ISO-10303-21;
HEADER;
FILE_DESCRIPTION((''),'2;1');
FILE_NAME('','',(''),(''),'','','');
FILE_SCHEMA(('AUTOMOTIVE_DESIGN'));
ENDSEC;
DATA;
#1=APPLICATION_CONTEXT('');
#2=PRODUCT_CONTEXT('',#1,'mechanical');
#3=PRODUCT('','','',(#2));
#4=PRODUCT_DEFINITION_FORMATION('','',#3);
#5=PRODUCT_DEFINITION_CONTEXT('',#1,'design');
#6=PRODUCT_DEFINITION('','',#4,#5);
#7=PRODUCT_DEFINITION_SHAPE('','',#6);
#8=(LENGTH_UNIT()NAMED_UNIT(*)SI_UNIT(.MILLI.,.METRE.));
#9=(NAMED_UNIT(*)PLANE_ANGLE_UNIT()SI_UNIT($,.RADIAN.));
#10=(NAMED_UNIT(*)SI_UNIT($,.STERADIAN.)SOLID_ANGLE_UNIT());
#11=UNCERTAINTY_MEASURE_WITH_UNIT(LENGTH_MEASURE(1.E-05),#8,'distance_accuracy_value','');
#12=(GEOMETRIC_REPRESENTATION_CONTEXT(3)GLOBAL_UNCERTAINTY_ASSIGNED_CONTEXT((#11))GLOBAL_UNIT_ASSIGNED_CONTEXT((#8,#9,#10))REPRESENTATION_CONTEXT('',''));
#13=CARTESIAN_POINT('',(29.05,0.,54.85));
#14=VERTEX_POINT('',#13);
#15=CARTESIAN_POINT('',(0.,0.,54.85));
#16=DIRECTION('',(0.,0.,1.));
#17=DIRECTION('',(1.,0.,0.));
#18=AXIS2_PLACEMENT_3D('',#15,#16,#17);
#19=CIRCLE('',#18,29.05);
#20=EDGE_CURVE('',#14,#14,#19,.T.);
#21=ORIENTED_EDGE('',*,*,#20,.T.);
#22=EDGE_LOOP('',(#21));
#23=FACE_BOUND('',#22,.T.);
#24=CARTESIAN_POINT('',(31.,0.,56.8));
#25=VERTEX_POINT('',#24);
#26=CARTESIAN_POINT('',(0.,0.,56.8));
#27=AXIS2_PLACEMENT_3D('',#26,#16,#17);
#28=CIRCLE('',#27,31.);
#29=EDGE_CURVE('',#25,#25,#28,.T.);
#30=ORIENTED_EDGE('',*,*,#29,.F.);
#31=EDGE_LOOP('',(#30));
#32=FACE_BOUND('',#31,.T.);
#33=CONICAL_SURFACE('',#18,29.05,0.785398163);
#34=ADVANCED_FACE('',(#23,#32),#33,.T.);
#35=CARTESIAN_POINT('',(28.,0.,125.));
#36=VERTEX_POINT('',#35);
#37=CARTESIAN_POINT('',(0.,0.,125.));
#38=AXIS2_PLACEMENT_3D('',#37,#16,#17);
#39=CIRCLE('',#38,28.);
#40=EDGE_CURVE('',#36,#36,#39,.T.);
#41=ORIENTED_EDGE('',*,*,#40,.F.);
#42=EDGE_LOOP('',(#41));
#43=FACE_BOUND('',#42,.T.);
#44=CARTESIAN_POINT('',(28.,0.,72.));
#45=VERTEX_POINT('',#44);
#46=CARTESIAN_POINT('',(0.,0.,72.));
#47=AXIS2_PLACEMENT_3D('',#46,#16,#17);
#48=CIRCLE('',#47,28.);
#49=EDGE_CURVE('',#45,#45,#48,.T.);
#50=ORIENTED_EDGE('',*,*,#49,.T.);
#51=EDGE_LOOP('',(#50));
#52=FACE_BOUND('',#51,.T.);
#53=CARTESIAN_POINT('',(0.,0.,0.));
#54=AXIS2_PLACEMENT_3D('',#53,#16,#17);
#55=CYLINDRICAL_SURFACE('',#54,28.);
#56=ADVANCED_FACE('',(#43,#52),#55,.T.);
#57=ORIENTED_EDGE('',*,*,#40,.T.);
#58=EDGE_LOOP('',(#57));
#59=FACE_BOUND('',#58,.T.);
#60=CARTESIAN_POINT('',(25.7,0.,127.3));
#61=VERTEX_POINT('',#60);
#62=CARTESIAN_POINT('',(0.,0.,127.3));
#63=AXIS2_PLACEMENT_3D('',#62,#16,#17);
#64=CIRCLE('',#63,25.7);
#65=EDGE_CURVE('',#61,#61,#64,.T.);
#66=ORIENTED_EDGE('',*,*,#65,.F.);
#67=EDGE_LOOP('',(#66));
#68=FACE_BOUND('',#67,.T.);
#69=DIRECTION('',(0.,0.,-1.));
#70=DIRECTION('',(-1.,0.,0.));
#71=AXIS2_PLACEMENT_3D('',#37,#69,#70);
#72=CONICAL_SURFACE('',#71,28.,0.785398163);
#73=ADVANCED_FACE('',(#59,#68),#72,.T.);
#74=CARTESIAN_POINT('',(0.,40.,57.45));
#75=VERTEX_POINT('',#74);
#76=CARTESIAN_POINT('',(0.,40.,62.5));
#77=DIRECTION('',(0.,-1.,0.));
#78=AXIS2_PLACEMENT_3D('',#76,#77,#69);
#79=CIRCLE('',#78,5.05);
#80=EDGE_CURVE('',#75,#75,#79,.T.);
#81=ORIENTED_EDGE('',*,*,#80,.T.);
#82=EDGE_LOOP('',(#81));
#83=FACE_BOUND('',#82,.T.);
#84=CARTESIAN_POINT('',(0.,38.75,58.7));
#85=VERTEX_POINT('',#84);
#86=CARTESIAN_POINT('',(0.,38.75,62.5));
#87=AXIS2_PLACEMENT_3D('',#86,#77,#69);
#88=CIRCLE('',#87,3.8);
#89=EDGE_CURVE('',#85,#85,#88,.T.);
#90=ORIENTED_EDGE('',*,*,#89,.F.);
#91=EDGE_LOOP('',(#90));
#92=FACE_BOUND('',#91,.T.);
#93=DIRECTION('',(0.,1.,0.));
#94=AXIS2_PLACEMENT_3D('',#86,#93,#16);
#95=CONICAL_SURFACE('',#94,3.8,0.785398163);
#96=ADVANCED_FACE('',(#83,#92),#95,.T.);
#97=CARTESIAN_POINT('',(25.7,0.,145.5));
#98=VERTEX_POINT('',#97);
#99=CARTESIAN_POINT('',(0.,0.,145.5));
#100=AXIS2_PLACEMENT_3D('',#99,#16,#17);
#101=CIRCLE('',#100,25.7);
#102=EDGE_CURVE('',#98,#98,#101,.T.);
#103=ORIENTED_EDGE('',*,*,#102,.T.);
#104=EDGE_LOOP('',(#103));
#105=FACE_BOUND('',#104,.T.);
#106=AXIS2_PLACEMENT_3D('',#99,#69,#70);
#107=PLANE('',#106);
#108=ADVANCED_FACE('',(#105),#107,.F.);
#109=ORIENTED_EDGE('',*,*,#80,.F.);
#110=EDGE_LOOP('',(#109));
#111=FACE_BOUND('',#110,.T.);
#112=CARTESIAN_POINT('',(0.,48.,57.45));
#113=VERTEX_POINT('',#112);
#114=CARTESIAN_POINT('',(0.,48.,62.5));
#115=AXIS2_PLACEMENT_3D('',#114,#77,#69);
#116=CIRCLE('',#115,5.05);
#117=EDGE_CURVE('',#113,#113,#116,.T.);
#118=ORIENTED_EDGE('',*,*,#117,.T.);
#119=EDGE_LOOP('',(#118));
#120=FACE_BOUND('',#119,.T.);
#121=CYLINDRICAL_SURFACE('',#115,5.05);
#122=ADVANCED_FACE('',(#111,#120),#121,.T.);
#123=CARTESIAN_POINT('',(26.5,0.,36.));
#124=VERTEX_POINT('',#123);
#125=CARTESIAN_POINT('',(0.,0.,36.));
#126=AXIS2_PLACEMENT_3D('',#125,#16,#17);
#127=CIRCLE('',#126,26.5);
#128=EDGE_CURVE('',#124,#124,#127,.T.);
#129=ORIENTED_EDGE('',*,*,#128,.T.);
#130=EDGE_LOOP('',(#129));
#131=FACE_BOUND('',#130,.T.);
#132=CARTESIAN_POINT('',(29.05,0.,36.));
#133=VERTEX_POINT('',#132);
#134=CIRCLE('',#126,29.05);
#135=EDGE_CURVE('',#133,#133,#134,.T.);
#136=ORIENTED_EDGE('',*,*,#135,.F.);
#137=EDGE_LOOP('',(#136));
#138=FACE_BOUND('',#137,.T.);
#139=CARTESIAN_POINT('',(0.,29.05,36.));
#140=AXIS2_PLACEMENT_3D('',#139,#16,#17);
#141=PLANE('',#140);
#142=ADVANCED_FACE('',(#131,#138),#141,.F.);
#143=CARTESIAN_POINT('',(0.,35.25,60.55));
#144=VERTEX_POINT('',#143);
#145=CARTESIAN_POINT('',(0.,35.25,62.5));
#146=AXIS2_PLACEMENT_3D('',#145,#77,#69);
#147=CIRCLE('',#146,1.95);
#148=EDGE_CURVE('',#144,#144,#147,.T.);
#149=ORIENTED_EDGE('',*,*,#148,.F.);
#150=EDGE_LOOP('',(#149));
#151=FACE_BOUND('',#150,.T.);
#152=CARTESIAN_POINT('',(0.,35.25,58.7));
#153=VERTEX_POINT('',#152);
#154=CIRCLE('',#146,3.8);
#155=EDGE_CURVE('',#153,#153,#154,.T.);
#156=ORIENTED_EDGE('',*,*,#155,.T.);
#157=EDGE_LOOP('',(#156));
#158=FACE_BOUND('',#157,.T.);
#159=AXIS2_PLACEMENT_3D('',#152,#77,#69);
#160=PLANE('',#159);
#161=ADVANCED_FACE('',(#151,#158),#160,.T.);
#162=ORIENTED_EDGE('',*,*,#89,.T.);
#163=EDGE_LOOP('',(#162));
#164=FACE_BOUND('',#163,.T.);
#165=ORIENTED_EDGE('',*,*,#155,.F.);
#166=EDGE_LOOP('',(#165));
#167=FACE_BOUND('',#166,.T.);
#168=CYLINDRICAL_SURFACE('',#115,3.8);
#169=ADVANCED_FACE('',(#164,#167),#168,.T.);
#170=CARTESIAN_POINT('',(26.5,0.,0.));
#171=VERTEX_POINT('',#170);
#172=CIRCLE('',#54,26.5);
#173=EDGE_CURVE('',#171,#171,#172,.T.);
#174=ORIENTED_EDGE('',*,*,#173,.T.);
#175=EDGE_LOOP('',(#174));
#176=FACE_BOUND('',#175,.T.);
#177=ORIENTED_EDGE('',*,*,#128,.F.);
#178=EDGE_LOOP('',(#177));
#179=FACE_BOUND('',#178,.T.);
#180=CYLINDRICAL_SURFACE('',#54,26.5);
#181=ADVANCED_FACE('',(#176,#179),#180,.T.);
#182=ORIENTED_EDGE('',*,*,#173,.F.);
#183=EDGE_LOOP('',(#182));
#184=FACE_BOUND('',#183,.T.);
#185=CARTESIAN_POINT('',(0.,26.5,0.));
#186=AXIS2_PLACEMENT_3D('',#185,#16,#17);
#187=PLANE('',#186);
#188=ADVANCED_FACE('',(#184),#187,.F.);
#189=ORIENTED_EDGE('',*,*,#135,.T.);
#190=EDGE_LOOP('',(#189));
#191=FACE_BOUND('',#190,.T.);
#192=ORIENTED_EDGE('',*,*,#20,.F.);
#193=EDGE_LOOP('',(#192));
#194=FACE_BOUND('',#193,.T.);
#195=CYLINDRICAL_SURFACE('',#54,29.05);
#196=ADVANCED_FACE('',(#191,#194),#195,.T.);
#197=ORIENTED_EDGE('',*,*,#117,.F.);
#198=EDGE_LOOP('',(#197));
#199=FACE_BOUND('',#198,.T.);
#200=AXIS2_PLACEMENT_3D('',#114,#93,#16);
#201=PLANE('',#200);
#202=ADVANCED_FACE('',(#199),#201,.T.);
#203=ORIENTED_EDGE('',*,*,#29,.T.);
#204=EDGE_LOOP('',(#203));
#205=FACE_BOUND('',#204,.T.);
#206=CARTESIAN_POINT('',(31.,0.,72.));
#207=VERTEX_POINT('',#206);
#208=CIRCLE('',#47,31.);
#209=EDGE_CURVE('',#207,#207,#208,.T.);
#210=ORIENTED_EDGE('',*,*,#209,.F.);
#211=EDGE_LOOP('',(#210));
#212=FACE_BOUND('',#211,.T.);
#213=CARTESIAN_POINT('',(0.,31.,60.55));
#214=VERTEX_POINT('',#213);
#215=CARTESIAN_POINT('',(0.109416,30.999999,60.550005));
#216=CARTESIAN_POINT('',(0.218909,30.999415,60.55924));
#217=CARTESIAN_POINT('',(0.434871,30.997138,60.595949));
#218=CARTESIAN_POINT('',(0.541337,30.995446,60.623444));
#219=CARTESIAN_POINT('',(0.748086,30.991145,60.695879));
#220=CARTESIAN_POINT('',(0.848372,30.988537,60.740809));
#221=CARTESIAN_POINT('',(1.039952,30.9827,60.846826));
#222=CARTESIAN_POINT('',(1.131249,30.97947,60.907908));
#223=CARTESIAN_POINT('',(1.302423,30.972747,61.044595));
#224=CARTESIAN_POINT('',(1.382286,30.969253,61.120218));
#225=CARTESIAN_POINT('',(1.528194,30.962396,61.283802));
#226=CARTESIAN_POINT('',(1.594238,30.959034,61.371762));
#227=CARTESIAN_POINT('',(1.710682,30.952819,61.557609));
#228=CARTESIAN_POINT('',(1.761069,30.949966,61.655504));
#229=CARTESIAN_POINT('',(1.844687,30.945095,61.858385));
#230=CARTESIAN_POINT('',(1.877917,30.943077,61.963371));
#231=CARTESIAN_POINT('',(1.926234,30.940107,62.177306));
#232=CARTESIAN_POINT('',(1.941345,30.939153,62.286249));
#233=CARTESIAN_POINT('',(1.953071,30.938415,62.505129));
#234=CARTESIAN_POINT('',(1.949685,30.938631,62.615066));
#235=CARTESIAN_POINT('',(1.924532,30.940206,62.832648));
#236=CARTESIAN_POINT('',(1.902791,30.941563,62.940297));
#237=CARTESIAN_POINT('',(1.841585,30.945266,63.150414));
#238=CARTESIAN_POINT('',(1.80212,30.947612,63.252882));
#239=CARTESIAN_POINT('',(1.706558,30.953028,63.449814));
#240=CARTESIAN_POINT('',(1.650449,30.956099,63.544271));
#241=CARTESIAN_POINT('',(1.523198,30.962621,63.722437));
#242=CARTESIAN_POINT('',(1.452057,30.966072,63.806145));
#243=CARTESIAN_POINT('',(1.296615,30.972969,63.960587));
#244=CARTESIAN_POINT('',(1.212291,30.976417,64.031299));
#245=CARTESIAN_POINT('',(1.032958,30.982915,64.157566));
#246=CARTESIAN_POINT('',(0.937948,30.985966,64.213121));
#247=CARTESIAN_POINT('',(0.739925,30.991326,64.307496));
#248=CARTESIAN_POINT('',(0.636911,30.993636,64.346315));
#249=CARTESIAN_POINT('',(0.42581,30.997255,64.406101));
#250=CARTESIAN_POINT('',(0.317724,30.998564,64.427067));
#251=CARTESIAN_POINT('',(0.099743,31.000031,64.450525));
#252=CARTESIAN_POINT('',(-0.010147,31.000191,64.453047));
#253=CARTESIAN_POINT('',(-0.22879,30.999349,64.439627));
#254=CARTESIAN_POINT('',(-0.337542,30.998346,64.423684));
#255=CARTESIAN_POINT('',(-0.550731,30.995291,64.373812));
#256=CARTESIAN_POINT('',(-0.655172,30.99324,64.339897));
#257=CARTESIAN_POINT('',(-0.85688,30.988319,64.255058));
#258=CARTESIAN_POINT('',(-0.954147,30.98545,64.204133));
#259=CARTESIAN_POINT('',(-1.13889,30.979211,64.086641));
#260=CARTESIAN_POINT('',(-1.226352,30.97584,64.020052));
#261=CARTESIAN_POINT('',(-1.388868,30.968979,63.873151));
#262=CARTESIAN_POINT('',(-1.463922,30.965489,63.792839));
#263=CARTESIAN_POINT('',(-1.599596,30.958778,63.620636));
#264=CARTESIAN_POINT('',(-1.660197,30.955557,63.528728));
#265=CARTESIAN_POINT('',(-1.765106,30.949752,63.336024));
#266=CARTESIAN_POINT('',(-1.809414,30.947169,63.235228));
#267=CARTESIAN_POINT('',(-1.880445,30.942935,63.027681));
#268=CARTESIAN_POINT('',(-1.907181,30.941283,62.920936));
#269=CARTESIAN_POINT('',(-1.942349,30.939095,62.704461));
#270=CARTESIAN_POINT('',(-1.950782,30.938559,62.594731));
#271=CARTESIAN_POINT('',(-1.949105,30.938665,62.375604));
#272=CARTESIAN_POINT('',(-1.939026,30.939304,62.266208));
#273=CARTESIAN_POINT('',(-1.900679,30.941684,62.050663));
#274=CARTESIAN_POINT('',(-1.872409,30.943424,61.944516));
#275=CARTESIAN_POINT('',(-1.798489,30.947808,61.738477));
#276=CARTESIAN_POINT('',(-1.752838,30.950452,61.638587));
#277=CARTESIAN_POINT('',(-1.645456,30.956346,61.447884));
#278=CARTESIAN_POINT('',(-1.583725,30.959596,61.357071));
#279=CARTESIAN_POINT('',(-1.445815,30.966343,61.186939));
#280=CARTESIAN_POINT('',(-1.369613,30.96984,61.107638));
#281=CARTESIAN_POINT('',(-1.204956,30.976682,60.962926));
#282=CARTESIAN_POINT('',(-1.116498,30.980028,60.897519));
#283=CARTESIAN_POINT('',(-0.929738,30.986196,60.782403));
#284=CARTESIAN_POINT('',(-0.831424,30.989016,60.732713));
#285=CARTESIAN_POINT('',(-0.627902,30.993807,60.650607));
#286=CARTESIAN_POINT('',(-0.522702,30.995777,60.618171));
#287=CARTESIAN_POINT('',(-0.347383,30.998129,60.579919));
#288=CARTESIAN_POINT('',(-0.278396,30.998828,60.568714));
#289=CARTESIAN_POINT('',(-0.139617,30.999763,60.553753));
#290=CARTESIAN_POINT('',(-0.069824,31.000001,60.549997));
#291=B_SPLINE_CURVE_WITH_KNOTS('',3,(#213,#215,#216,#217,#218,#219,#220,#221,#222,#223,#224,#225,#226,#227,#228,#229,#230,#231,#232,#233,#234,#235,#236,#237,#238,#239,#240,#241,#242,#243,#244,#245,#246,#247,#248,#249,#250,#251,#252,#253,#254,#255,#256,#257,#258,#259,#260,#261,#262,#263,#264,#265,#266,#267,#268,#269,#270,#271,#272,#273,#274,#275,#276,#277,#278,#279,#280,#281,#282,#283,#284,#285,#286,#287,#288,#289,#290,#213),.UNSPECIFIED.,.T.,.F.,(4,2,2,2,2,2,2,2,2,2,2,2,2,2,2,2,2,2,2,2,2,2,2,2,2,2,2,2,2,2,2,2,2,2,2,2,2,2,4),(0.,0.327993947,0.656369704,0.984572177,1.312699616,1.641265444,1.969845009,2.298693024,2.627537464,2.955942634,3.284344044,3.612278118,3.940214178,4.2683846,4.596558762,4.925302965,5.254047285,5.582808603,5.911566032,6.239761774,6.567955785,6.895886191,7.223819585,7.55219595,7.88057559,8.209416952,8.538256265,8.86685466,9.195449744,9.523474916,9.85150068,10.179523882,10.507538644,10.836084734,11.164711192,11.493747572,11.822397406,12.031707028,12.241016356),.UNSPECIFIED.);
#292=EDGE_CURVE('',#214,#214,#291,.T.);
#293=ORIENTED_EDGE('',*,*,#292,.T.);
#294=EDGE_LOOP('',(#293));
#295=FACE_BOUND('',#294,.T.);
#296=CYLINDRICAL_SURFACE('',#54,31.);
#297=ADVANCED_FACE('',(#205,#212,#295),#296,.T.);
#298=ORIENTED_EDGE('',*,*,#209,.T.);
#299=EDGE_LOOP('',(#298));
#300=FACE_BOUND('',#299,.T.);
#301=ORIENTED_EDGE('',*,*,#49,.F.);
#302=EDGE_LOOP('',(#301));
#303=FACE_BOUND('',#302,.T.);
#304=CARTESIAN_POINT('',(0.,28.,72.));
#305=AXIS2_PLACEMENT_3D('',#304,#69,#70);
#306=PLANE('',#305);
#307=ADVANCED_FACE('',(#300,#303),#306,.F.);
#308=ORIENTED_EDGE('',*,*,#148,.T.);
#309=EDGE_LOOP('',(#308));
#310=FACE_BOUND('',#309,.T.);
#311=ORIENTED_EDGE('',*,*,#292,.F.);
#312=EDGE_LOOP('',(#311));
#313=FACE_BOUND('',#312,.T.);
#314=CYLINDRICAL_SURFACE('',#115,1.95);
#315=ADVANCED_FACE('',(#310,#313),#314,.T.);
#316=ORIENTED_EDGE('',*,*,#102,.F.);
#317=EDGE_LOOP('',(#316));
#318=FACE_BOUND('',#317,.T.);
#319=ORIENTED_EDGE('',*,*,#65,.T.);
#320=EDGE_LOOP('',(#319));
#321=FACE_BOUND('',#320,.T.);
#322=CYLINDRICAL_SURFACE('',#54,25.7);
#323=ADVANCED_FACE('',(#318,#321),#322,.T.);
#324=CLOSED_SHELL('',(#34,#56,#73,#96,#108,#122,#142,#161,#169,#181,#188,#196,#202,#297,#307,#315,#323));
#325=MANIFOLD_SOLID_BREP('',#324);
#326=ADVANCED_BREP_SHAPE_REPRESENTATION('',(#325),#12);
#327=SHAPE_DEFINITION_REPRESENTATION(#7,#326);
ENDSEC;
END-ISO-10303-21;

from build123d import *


with BuildPart() as part:
    # Sketch1 → Revolve1 (revolve)
    with BuildSketch(Plane(origin=(0, 0, 0), x_dir=(0, 0, -1), z_dir=(1, 0, 0)), mode=Mode.PRIVATE) as revolve1_sk:
        Polygon((0, 0), (-145.5, 0), (-145.5, 25.7), (-127.3, 25.7), (-125, 28), (-72, 28), (-72, 31), (-56.8, 31), (-54.85, 29.05), (-36, 29.05), (-36, 26.5), (0, 26.5), align=None)
    revolve(revolve1_sk.sketch.rotate(Axis((0, 0, 0), (0, 0, -1)), 90), axis=Axis((0, 0, 0), (0, 0, -1)))

    # Sketch2 → Revolve2 (revolve)
    with BuildSketch(Plane(origin=(0, 0, 0), x_dir=(0, 0, -1), z_dir=(1, 0, 0))):
        Polygon((-62.5, 31), (-62.5, 48), (-57.45, 48), (-57.45, 40), (-58.7, 38.75), (-58.7, 35.25), (-60.55, 35.25), (-60.55, 29), (-62.5, 29), align=None)
    revolve(axis=Axis((0, 48, 62.5), (0, 1, 0)))


solid = part.part
